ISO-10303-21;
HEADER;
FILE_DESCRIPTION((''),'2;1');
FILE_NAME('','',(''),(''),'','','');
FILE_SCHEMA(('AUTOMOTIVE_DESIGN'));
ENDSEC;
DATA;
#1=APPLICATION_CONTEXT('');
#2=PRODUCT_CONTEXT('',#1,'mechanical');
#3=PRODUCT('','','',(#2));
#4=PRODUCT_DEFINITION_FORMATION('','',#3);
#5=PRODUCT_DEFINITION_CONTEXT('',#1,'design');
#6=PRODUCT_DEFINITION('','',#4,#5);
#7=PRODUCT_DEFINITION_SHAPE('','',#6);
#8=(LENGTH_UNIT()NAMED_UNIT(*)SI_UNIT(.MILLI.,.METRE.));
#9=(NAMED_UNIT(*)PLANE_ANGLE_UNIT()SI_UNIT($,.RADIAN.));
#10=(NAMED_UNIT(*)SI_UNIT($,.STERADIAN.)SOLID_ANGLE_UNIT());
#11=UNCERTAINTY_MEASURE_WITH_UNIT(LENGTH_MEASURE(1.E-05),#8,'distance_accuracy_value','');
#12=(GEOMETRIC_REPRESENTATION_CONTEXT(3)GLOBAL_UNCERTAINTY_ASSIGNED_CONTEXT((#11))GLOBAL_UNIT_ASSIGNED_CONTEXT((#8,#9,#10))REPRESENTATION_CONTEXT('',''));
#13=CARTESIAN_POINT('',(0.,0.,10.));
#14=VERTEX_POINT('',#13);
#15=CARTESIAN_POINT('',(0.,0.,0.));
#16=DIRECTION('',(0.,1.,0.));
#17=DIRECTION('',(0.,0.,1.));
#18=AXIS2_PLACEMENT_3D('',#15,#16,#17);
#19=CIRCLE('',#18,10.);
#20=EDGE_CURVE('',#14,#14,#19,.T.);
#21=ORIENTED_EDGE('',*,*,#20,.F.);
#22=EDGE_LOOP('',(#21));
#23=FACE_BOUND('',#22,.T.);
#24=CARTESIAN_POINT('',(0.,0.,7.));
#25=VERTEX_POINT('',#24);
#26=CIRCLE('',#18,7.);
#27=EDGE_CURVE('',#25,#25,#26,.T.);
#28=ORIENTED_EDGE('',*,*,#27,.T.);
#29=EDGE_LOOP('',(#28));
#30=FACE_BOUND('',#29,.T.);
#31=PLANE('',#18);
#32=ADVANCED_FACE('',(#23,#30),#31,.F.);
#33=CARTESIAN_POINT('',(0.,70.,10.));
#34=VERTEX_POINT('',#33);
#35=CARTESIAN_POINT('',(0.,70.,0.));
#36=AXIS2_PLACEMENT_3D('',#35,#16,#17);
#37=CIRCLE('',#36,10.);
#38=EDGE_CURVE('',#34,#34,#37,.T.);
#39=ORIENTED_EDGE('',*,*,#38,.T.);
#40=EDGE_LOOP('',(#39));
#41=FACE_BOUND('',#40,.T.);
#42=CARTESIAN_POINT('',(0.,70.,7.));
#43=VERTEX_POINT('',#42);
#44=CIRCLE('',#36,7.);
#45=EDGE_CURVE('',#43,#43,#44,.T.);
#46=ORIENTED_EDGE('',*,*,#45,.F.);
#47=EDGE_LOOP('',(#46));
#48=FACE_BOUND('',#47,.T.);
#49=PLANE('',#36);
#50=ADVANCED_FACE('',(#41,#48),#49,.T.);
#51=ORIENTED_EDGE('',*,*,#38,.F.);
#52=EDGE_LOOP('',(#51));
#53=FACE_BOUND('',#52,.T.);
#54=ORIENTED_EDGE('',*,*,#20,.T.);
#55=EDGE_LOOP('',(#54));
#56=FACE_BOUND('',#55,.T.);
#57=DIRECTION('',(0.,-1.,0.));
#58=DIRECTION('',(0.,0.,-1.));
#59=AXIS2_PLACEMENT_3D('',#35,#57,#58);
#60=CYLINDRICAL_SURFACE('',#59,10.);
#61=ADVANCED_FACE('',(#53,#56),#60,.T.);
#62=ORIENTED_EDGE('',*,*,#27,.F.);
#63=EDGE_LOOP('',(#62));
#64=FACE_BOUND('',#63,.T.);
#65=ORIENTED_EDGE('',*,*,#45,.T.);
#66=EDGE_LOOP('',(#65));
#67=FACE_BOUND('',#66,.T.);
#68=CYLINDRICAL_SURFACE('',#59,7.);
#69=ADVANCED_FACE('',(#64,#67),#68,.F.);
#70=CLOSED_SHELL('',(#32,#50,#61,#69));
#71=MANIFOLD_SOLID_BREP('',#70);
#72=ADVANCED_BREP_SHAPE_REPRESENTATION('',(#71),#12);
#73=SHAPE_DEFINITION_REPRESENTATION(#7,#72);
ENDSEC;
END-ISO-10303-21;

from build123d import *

# Parameters (mm, degrees)
FEED_TUBE_SKETCH_R   = 10
FEED_TUBE_SKETCH_R_2 = 7
FEED_TUBE_DEPTH      = 70


with BuildPart() as part:
    # Feed Tube Sketch → Feed Tube (new body)
    with BuildSketch(Plane(origin=(0, 0, 0), x_dir=(1, 0, 0), z_dir=(0, 1, 0))):
        with Locations(Location((0, 0, 0), (0, 0, 270))):
            Circle(FEED_TUBE_SKETCH_R)
        with Locations(Location((0, 0, 0), (0, 0, 270))):
            Circle(FEED_TUBE_SKETCH_R_2, mode=Mode.SUBTRACT)
    extrude(amount=FEED_TUBE_DEPTH)


solid = part.part
